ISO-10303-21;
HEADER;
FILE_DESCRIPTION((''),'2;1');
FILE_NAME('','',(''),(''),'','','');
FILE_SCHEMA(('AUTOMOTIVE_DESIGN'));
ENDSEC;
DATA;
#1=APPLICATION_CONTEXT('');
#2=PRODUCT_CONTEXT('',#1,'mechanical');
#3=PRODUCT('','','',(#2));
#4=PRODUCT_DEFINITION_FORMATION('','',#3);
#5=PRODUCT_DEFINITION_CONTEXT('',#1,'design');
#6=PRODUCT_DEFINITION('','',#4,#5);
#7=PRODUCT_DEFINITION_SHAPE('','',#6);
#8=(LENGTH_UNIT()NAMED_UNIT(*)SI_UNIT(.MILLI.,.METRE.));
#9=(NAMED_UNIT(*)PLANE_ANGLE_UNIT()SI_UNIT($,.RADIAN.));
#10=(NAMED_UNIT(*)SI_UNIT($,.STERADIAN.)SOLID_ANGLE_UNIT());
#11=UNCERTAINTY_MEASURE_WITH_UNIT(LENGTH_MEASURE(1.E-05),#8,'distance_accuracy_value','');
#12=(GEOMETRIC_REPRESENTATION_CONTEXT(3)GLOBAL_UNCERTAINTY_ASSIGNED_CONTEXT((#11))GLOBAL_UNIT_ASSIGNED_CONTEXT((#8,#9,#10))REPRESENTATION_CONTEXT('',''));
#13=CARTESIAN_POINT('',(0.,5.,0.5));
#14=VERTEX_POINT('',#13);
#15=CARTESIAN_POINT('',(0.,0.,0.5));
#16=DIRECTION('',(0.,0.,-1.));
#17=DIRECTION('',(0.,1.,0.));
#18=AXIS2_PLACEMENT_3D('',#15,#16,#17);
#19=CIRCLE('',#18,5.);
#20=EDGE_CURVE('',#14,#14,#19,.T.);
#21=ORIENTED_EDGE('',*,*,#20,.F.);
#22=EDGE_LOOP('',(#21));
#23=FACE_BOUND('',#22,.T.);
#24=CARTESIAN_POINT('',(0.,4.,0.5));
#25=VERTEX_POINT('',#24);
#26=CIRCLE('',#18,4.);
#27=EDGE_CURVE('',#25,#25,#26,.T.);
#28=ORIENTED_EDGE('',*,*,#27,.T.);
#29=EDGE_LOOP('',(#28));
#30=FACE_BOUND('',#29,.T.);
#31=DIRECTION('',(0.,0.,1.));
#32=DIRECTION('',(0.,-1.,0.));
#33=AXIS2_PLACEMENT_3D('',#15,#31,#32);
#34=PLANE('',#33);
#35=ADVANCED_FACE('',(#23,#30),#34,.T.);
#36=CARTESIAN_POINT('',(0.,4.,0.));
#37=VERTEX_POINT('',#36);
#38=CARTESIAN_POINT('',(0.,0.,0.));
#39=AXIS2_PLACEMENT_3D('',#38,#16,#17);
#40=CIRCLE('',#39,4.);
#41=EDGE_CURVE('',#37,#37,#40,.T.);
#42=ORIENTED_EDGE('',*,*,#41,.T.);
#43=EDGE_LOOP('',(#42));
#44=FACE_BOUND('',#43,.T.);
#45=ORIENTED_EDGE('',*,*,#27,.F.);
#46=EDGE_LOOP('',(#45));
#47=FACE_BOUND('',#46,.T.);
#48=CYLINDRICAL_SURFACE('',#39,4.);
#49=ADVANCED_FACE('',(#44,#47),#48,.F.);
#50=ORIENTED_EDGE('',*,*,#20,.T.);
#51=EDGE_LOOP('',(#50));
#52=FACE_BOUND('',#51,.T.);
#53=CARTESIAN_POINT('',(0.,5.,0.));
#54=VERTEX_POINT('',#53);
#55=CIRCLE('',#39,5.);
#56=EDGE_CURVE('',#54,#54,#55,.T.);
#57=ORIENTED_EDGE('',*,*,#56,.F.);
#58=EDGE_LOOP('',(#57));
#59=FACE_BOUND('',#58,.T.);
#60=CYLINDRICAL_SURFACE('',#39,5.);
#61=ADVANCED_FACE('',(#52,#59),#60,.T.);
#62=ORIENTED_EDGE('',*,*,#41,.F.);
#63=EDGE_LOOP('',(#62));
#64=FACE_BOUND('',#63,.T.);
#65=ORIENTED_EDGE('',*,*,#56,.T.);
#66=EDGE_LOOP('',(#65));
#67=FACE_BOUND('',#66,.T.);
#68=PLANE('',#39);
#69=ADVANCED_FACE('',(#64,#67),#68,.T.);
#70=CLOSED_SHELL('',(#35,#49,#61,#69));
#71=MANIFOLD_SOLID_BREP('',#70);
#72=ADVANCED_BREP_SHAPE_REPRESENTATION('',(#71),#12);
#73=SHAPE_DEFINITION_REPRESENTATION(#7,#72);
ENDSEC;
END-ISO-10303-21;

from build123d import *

# Parameters (mm, degrees)
SKETCH1_W = 0.5
SKETCH1_H = 5
SKETCH2_W = 0.5
SKETCH2_H = 4


with BuildPart() as part:
    # Sketch1 → Revolve1 (revolve)
    with BuildSketch(Plane(origin=(0, 0, 0), x_dir=(0, 0, -1), z_dir=(1, 0, 0))):
        with Locations((-0.25, 2.5)):
            Rectangle(SKETCH1_W, SKETCH1_H)
    revolve(axis=Axis((0, 0, 0), (0, 0, 1)))

    # Sketch2 → Cut-Revolve1 (revolve, cut)
    with BuildSketch(Plane(origin=(0, 0, 0), x_dir=(0, 0, -1), z_dir=(1, 0, 0))):
        with Locations((-0.25, 2)):
            Rectangle(SKETCH2_W, SKETCH2_H)
    revolve(axis=Axis((0, 0, 0), (0, 0, 1)), mode=Mode.SUBTRACT)


solid = part.part
